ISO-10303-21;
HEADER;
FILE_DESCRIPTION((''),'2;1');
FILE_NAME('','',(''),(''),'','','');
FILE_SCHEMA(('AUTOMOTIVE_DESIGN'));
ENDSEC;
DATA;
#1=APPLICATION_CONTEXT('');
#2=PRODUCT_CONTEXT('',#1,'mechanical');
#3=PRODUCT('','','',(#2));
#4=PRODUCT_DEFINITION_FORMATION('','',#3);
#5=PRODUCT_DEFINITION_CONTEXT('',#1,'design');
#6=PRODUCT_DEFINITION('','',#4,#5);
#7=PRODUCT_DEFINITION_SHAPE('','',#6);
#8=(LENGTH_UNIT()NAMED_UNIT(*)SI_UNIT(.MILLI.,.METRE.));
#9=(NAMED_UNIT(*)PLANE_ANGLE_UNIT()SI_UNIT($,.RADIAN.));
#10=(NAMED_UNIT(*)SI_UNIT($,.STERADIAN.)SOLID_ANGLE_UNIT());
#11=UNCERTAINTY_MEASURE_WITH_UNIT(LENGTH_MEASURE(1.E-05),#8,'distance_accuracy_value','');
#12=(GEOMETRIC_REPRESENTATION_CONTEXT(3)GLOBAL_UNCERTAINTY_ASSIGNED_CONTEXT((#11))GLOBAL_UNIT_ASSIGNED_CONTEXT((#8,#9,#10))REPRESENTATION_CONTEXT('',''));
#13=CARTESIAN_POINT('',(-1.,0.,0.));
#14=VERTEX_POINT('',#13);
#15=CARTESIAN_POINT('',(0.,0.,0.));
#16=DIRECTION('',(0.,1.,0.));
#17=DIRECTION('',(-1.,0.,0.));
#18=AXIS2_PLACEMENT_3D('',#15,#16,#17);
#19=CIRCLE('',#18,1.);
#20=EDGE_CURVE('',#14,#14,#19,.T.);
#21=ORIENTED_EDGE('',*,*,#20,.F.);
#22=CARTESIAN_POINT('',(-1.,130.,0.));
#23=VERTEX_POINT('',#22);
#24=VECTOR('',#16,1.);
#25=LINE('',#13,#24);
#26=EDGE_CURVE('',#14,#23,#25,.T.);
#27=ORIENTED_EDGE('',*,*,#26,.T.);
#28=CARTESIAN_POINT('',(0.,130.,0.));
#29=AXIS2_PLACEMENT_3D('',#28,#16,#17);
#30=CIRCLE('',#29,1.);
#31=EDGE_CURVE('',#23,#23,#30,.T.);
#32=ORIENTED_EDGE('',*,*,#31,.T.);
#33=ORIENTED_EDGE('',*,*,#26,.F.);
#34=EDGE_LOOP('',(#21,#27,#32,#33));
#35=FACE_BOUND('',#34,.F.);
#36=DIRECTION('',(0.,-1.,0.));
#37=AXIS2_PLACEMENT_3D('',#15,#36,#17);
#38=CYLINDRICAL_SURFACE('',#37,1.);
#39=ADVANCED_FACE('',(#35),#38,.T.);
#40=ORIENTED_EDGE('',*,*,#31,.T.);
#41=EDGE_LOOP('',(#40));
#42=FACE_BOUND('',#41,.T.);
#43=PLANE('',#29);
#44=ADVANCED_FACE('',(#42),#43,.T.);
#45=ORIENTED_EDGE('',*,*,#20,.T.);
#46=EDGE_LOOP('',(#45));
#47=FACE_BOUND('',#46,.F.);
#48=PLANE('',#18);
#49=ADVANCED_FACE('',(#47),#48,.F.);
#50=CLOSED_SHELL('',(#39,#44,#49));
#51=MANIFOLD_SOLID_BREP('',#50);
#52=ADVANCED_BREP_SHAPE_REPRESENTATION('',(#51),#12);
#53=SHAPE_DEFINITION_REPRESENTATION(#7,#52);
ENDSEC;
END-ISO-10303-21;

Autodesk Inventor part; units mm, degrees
ref_plane "YZ Plane" through (0, 0, 0) normal (1, 0, 0) x (0, 1, 0)
ref_plane "XZ Plane" through (0, 0, 0) normal (0, 1, 0) x (-1, 0, 0)
ref_plane "XY Plane" through (0, 0, 0) normal (0, 0, 1) x (1, 0, 0)
sketch "Esboço1" plane through (0, 0, 0) normal (0, 1, 0) x (-1, 0, 0)
  circle A0 centre (0, 0) radius 1
  dimension "d0" = 2
extrude "Extrusão1" add sketch "Esboço1" along normal blind 130
properties part number "termopar"
